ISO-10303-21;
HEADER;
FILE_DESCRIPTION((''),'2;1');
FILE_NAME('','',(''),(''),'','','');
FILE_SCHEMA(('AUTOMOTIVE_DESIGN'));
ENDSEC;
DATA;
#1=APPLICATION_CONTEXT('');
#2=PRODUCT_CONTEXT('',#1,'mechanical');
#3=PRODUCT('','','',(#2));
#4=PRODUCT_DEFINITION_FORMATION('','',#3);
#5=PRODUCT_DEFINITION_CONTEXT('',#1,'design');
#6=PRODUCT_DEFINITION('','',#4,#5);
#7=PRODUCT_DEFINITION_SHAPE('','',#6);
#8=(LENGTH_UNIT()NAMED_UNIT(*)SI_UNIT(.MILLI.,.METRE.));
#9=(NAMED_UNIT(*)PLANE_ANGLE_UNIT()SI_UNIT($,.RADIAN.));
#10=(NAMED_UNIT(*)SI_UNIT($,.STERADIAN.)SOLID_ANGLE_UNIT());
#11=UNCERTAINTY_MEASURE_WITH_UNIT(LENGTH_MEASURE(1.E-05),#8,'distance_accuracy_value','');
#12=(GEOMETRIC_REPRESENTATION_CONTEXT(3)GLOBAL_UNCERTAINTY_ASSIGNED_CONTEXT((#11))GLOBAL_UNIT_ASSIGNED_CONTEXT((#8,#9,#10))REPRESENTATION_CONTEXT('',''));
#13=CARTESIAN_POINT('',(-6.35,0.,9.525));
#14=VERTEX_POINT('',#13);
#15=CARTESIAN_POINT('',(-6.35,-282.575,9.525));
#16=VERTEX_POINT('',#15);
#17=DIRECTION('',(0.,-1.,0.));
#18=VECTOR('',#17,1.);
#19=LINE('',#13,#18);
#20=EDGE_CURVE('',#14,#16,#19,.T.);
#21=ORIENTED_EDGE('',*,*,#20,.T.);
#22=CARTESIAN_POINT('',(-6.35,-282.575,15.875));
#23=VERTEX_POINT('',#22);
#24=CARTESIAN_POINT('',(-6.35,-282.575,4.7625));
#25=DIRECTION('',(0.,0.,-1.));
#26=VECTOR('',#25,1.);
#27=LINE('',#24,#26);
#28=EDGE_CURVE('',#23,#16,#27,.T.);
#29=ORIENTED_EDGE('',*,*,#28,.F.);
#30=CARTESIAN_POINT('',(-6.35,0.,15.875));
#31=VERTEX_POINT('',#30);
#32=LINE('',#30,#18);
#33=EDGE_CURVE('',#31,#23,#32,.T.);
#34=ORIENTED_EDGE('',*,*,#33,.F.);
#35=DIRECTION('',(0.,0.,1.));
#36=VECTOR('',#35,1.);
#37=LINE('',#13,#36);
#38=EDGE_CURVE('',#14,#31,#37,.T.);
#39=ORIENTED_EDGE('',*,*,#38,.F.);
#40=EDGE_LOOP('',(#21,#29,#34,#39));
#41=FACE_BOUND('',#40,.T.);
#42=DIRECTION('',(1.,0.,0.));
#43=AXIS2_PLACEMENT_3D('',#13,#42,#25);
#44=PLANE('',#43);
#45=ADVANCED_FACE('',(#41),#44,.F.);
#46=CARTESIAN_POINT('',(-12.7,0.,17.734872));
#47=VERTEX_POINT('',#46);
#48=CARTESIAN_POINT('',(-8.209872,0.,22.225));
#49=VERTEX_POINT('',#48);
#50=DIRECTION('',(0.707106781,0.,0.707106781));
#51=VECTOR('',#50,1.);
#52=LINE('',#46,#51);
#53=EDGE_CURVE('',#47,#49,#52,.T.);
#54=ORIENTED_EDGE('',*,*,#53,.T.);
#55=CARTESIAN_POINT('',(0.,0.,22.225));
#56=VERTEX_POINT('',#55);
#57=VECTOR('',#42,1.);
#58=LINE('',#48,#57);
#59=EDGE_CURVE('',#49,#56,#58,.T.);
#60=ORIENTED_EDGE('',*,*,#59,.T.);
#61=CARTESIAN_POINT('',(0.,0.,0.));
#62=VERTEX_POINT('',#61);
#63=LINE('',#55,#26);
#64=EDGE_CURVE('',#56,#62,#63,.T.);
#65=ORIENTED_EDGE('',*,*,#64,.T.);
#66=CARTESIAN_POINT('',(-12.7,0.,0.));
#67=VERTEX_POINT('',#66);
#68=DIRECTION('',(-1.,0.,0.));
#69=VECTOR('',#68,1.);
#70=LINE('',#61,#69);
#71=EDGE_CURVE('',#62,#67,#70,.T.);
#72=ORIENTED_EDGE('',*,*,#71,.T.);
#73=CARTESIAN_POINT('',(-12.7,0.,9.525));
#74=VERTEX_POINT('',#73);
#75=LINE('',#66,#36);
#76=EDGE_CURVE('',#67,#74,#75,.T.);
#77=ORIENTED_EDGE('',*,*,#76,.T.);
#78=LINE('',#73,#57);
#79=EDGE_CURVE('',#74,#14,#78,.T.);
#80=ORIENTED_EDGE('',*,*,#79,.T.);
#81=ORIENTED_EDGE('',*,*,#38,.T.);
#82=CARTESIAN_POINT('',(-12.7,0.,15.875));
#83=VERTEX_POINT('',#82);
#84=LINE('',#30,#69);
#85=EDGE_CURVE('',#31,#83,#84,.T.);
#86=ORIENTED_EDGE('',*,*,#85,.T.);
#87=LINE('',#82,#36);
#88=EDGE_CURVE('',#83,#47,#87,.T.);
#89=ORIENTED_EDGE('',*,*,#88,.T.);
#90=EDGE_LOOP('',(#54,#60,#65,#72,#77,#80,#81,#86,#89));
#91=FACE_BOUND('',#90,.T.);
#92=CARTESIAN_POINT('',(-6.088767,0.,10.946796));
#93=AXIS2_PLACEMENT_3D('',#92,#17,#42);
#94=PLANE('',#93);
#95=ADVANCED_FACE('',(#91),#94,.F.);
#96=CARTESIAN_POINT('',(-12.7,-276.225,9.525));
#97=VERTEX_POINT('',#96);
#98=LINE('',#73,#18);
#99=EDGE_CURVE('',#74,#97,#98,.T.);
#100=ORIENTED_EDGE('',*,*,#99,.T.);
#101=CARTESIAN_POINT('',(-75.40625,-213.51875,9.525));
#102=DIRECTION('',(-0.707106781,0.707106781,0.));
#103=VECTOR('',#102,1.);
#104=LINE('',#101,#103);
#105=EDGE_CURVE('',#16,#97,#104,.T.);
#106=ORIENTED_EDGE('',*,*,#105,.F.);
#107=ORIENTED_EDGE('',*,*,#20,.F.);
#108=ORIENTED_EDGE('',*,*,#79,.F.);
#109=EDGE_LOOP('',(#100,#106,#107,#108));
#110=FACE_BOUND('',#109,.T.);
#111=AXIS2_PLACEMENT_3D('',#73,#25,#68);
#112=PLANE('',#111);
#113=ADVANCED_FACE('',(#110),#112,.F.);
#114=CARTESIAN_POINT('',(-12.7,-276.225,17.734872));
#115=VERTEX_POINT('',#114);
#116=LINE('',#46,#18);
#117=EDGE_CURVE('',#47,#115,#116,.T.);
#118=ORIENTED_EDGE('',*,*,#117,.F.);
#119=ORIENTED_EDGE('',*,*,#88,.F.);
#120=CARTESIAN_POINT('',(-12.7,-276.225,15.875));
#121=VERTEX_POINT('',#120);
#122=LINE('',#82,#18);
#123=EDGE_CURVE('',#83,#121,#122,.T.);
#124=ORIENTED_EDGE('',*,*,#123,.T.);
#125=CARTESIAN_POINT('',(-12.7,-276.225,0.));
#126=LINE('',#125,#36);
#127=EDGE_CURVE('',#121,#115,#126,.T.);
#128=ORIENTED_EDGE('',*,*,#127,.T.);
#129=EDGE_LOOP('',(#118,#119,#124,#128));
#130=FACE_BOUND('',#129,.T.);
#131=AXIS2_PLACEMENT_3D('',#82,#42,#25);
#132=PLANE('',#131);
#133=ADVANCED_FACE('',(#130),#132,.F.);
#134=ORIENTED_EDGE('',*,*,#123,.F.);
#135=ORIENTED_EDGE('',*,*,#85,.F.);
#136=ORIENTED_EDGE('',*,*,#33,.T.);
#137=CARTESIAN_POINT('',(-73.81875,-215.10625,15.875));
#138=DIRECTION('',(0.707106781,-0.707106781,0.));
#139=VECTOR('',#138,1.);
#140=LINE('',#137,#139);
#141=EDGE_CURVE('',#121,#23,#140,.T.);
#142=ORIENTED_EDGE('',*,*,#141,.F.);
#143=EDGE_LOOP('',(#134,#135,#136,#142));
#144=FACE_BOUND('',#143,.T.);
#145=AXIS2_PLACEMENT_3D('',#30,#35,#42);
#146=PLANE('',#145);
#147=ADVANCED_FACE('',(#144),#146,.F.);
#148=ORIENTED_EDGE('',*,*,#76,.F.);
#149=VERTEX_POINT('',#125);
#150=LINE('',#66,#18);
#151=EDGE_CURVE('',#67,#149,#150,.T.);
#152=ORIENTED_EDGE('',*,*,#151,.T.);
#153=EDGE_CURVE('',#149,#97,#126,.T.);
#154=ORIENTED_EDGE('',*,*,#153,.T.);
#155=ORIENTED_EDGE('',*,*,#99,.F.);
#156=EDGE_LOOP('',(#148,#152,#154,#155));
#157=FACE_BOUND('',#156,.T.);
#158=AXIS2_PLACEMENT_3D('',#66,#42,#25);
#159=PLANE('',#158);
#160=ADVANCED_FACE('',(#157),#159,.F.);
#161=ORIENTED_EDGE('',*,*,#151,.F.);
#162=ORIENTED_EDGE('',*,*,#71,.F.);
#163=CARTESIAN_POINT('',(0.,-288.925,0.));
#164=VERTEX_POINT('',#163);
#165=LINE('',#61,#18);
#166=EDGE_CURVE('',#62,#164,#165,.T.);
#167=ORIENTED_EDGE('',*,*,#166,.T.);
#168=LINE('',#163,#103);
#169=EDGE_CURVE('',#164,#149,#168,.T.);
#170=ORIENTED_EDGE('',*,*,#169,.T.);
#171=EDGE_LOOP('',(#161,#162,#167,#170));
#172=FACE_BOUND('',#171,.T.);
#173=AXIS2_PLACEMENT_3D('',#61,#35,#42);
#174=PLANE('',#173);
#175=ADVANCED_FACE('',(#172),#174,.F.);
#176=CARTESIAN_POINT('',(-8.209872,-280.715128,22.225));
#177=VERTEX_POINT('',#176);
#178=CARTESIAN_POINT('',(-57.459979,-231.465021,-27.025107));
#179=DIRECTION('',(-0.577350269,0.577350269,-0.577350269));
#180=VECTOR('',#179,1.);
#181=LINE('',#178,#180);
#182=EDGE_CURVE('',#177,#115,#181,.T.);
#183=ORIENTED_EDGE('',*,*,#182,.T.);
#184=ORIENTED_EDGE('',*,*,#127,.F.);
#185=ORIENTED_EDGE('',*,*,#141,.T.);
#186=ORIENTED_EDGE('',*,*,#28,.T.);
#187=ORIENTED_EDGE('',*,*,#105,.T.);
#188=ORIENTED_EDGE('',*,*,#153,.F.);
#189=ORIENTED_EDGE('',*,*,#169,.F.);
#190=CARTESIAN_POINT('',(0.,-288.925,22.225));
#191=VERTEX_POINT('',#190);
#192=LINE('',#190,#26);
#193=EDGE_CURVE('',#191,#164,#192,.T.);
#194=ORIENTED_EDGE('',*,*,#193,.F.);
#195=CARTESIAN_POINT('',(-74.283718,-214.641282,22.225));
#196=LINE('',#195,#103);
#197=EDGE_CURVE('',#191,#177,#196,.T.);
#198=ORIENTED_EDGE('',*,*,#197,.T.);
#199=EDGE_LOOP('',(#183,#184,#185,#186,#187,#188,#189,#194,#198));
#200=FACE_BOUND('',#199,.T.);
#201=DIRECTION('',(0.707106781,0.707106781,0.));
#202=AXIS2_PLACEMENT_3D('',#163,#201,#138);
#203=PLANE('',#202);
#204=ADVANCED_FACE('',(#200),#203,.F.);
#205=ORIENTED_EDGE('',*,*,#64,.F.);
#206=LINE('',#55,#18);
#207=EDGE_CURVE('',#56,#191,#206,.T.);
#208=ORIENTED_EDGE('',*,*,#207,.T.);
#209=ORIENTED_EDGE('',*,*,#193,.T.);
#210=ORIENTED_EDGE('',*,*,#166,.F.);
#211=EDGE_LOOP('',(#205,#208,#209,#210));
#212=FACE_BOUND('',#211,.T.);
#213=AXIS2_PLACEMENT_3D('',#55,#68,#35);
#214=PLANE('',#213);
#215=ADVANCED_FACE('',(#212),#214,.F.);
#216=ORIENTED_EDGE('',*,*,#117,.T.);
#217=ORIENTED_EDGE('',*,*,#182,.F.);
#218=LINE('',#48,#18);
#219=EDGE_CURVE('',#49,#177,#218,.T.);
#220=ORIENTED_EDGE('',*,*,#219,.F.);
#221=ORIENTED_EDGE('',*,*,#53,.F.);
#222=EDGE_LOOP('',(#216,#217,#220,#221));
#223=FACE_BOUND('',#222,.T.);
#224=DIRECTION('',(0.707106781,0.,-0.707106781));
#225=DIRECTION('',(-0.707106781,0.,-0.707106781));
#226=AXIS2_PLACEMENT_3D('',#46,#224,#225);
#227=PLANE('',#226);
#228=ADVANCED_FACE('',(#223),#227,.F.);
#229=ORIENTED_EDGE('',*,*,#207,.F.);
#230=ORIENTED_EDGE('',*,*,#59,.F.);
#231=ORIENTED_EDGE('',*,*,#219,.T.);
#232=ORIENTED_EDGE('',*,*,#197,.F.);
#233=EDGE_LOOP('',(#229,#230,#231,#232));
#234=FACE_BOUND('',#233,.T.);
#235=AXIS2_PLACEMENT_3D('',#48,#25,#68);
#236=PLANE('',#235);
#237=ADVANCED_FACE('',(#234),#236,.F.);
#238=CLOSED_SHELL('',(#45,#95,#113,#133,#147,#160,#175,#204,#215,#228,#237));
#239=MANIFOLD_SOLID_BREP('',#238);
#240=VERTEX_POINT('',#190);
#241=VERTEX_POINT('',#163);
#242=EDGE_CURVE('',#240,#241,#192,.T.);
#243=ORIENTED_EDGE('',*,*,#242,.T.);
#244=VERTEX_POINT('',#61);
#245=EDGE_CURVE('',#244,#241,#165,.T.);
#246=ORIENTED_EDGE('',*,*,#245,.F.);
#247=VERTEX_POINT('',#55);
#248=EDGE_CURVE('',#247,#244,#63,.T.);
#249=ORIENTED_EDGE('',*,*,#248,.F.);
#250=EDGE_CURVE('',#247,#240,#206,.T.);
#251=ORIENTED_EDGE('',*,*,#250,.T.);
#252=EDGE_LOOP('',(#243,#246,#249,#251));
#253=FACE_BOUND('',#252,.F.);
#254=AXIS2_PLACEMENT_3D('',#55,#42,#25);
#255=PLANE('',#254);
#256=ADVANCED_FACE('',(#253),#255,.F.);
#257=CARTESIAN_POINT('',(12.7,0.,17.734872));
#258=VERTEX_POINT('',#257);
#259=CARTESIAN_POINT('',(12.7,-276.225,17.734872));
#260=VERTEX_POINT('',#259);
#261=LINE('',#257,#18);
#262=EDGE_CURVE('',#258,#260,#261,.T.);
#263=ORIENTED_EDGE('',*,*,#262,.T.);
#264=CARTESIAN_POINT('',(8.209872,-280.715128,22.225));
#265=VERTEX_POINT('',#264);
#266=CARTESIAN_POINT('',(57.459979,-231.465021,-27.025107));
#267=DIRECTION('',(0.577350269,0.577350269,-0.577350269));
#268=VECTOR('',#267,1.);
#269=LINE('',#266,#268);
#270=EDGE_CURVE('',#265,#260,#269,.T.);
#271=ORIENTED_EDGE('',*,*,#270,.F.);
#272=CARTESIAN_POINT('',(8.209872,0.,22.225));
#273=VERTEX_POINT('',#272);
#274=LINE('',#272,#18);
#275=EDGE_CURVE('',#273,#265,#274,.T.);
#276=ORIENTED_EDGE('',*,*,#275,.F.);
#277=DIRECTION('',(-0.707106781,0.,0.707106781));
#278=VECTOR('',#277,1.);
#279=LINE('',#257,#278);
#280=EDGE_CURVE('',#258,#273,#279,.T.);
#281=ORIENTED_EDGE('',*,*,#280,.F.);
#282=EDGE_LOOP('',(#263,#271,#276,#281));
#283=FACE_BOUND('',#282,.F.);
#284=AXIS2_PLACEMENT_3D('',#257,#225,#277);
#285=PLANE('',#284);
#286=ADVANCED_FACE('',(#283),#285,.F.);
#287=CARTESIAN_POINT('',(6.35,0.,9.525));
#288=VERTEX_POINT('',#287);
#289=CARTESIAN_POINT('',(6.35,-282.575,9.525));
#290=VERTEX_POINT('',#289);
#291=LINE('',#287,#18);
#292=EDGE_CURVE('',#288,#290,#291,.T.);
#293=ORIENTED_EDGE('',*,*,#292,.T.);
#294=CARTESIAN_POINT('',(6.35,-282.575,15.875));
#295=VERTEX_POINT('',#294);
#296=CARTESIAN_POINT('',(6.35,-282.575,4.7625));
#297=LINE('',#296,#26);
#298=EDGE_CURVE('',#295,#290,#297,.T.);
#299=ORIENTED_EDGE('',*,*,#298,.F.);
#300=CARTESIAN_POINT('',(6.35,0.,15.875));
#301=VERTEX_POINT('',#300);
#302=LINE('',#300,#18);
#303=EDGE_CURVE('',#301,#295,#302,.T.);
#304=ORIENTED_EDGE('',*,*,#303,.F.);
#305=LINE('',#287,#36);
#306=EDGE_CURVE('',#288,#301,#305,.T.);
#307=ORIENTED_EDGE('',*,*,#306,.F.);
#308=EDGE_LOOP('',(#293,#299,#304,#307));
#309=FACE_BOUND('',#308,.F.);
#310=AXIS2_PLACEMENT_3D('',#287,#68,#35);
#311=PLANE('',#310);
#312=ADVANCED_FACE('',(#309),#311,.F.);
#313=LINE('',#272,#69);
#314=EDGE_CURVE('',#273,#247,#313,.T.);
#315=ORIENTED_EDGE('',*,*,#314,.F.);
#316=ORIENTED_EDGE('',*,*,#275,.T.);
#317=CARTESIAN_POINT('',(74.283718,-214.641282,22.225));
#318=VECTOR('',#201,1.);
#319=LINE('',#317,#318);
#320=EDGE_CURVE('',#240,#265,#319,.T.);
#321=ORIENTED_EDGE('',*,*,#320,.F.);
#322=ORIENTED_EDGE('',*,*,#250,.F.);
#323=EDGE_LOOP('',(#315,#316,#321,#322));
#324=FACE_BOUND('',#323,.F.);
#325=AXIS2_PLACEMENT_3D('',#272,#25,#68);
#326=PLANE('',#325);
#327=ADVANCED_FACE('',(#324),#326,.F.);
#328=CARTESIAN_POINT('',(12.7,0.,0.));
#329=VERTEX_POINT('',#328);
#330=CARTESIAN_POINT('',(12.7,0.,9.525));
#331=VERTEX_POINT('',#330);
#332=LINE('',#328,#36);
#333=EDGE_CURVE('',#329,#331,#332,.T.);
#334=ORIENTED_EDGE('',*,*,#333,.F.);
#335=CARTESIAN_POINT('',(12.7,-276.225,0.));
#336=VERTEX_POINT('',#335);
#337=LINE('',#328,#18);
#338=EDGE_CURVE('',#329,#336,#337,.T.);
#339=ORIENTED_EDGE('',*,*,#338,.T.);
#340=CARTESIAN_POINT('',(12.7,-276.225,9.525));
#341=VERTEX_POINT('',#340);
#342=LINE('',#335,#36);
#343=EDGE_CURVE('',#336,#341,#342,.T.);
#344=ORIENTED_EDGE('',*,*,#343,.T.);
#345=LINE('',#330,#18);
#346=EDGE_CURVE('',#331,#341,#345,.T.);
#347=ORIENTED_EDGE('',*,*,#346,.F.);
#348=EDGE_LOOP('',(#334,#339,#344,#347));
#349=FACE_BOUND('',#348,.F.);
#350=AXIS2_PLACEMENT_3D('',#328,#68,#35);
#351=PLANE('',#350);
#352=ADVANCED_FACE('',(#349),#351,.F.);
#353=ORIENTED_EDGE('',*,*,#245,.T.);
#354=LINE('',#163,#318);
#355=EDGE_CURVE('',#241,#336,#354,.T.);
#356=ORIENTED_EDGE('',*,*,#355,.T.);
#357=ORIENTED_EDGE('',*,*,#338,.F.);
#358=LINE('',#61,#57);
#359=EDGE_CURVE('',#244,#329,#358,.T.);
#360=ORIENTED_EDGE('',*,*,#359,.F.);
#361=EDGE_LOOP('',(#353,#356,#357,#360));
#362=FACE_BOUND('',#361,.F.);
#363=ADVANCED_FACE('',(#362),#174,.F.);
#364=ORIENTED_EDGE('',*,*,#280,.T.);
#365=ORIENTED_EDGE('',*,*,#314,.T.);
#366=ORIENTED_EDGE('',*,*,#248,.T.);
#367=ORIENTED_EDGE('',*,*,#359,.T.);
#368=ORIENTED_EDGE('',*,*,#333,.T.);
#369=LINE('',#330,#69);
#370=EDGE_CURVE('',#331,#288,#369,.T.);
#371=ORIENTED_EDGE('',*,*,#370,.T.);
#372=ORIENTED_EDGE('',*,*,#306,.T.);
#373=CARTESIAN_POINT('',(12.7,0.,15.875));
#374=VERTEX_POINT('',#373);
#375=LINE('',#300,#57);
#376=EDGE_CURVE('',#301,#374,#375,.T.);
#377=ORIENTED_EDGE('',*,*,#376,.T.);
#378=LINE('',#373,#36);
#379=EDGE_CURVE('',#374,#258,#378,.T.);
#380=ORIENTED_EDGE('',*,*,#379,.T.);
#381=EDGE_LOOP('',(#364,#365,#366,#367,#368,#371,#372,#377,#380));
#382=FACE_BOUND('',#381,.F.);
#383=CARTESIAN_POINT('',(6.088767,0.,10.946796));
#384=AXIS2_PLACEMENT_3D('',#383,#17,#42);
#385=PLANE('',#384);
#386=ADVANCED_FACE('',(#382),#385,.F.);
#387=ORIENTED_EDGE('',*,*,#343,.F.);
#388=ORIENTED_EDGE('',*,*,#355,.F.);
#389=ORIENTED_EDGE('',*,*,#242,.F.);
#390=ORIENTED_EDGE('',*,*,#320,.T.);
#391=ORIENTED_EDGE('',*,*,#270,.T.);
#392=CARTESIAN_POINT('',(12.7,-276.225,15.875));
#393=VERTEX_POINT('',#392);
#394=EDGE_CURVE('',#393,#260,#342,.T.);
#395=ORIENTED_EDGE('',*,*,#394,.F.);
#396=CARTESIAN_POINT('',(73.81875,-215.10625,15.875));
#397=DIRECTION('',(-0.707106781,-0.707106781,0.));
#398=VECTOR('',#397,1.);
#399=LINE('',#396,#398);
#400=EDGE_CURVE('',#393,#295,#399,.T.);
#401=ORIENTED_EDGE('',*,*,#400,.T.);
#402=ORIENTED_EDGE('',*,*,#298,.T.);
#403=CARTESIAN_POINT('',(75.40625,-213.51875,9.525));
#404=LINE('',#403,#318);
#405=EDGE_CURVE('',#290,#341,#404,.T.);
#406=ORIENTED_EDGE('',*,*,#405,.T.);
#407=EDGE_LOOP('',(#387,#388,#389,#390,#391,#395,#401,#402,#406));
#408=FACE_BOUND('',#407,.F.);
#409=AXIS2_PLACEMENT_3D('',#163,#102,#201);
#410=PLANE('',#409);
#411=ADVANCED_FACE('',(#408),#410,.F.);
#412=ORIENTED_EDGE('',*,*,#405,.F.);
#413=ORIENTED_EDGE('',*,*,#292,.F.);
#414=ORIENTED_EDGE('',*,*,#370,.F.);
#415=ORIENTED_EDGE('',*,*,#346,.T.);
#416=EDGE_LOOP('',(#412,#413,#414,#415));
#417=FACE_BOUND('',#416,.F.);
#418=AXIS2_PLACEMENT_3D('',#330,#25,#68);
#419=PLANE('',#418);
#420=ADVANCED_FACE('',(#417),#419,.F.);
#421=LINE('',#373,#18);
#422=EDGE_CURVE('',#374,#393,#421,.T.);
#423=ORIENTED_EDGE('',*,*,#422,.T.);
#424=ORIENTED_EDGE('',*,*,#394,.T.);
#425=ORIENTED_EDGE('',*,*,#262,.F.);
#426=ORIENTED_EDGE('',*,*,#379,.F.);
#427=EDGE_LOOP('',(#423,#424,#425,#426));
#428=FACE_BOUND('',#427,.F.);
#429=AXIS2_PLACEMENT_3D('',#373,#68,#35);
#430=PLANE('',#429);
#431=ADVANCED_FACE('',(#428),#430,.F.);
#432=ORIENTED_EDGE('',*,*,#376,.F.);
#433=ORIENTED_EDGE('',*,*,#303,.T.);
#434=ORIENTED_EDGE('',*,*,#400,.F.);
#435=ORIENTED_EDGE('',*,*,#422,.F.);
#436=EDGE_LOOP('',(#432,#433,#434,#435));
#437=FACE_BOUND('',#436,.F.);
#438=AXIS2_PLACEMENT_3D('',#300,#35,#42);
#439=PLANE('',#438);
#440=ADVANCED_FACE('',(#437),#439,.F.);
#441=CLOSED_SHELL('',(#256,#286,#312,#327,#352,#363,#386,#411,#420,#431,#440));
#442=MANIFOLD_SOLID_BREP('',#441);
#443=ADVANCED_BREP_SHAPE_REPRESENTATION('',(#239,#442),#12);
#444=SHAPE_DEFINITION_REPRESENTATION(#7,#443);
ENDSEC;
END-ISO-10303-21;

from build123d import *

# Parameters (mm, degrees)
F1_DEPTH = 288.925
F3_DEPTH = 22.226


with BuildPart() as f1:
    # F0 (on Front) → F1 (new body)
    with BuildSketch(Plane.XZ):
        Polygon((0, 22.225), (0, 0), (12.7, 0), (12.7, 9.525), (6.35, 9.525), (6.35, 15.875), (12.7, 15.875), (12.7, 17.734872), (8.209872, 22.225), align=None)
    extrude(amount=F1_DEPTH)

    # F2 (on face) → F3 (cut, through all)
    with BuildSketch(Plane(origin=(0, 0, 0), x_dir=(1, 0, 0), z_dir=(0, 0, -1))):
        Polygon((12.7, 288.925), (0, 288.925), (12.7, 276.225), align=None)
    extrude(amount=-F3_DEPTH, mode=Mode.SUBTRACT)


with BuildPart() as f4_1:
    # F4: instance of F1
    add(f1.part.mirror(Plane(origin=(0, -144.4625, 11.1125), x_dir=(0, -1, 0), z_dir=(-1, 0, 0))))


solid = Compound([f1.part, f4_1.part])
